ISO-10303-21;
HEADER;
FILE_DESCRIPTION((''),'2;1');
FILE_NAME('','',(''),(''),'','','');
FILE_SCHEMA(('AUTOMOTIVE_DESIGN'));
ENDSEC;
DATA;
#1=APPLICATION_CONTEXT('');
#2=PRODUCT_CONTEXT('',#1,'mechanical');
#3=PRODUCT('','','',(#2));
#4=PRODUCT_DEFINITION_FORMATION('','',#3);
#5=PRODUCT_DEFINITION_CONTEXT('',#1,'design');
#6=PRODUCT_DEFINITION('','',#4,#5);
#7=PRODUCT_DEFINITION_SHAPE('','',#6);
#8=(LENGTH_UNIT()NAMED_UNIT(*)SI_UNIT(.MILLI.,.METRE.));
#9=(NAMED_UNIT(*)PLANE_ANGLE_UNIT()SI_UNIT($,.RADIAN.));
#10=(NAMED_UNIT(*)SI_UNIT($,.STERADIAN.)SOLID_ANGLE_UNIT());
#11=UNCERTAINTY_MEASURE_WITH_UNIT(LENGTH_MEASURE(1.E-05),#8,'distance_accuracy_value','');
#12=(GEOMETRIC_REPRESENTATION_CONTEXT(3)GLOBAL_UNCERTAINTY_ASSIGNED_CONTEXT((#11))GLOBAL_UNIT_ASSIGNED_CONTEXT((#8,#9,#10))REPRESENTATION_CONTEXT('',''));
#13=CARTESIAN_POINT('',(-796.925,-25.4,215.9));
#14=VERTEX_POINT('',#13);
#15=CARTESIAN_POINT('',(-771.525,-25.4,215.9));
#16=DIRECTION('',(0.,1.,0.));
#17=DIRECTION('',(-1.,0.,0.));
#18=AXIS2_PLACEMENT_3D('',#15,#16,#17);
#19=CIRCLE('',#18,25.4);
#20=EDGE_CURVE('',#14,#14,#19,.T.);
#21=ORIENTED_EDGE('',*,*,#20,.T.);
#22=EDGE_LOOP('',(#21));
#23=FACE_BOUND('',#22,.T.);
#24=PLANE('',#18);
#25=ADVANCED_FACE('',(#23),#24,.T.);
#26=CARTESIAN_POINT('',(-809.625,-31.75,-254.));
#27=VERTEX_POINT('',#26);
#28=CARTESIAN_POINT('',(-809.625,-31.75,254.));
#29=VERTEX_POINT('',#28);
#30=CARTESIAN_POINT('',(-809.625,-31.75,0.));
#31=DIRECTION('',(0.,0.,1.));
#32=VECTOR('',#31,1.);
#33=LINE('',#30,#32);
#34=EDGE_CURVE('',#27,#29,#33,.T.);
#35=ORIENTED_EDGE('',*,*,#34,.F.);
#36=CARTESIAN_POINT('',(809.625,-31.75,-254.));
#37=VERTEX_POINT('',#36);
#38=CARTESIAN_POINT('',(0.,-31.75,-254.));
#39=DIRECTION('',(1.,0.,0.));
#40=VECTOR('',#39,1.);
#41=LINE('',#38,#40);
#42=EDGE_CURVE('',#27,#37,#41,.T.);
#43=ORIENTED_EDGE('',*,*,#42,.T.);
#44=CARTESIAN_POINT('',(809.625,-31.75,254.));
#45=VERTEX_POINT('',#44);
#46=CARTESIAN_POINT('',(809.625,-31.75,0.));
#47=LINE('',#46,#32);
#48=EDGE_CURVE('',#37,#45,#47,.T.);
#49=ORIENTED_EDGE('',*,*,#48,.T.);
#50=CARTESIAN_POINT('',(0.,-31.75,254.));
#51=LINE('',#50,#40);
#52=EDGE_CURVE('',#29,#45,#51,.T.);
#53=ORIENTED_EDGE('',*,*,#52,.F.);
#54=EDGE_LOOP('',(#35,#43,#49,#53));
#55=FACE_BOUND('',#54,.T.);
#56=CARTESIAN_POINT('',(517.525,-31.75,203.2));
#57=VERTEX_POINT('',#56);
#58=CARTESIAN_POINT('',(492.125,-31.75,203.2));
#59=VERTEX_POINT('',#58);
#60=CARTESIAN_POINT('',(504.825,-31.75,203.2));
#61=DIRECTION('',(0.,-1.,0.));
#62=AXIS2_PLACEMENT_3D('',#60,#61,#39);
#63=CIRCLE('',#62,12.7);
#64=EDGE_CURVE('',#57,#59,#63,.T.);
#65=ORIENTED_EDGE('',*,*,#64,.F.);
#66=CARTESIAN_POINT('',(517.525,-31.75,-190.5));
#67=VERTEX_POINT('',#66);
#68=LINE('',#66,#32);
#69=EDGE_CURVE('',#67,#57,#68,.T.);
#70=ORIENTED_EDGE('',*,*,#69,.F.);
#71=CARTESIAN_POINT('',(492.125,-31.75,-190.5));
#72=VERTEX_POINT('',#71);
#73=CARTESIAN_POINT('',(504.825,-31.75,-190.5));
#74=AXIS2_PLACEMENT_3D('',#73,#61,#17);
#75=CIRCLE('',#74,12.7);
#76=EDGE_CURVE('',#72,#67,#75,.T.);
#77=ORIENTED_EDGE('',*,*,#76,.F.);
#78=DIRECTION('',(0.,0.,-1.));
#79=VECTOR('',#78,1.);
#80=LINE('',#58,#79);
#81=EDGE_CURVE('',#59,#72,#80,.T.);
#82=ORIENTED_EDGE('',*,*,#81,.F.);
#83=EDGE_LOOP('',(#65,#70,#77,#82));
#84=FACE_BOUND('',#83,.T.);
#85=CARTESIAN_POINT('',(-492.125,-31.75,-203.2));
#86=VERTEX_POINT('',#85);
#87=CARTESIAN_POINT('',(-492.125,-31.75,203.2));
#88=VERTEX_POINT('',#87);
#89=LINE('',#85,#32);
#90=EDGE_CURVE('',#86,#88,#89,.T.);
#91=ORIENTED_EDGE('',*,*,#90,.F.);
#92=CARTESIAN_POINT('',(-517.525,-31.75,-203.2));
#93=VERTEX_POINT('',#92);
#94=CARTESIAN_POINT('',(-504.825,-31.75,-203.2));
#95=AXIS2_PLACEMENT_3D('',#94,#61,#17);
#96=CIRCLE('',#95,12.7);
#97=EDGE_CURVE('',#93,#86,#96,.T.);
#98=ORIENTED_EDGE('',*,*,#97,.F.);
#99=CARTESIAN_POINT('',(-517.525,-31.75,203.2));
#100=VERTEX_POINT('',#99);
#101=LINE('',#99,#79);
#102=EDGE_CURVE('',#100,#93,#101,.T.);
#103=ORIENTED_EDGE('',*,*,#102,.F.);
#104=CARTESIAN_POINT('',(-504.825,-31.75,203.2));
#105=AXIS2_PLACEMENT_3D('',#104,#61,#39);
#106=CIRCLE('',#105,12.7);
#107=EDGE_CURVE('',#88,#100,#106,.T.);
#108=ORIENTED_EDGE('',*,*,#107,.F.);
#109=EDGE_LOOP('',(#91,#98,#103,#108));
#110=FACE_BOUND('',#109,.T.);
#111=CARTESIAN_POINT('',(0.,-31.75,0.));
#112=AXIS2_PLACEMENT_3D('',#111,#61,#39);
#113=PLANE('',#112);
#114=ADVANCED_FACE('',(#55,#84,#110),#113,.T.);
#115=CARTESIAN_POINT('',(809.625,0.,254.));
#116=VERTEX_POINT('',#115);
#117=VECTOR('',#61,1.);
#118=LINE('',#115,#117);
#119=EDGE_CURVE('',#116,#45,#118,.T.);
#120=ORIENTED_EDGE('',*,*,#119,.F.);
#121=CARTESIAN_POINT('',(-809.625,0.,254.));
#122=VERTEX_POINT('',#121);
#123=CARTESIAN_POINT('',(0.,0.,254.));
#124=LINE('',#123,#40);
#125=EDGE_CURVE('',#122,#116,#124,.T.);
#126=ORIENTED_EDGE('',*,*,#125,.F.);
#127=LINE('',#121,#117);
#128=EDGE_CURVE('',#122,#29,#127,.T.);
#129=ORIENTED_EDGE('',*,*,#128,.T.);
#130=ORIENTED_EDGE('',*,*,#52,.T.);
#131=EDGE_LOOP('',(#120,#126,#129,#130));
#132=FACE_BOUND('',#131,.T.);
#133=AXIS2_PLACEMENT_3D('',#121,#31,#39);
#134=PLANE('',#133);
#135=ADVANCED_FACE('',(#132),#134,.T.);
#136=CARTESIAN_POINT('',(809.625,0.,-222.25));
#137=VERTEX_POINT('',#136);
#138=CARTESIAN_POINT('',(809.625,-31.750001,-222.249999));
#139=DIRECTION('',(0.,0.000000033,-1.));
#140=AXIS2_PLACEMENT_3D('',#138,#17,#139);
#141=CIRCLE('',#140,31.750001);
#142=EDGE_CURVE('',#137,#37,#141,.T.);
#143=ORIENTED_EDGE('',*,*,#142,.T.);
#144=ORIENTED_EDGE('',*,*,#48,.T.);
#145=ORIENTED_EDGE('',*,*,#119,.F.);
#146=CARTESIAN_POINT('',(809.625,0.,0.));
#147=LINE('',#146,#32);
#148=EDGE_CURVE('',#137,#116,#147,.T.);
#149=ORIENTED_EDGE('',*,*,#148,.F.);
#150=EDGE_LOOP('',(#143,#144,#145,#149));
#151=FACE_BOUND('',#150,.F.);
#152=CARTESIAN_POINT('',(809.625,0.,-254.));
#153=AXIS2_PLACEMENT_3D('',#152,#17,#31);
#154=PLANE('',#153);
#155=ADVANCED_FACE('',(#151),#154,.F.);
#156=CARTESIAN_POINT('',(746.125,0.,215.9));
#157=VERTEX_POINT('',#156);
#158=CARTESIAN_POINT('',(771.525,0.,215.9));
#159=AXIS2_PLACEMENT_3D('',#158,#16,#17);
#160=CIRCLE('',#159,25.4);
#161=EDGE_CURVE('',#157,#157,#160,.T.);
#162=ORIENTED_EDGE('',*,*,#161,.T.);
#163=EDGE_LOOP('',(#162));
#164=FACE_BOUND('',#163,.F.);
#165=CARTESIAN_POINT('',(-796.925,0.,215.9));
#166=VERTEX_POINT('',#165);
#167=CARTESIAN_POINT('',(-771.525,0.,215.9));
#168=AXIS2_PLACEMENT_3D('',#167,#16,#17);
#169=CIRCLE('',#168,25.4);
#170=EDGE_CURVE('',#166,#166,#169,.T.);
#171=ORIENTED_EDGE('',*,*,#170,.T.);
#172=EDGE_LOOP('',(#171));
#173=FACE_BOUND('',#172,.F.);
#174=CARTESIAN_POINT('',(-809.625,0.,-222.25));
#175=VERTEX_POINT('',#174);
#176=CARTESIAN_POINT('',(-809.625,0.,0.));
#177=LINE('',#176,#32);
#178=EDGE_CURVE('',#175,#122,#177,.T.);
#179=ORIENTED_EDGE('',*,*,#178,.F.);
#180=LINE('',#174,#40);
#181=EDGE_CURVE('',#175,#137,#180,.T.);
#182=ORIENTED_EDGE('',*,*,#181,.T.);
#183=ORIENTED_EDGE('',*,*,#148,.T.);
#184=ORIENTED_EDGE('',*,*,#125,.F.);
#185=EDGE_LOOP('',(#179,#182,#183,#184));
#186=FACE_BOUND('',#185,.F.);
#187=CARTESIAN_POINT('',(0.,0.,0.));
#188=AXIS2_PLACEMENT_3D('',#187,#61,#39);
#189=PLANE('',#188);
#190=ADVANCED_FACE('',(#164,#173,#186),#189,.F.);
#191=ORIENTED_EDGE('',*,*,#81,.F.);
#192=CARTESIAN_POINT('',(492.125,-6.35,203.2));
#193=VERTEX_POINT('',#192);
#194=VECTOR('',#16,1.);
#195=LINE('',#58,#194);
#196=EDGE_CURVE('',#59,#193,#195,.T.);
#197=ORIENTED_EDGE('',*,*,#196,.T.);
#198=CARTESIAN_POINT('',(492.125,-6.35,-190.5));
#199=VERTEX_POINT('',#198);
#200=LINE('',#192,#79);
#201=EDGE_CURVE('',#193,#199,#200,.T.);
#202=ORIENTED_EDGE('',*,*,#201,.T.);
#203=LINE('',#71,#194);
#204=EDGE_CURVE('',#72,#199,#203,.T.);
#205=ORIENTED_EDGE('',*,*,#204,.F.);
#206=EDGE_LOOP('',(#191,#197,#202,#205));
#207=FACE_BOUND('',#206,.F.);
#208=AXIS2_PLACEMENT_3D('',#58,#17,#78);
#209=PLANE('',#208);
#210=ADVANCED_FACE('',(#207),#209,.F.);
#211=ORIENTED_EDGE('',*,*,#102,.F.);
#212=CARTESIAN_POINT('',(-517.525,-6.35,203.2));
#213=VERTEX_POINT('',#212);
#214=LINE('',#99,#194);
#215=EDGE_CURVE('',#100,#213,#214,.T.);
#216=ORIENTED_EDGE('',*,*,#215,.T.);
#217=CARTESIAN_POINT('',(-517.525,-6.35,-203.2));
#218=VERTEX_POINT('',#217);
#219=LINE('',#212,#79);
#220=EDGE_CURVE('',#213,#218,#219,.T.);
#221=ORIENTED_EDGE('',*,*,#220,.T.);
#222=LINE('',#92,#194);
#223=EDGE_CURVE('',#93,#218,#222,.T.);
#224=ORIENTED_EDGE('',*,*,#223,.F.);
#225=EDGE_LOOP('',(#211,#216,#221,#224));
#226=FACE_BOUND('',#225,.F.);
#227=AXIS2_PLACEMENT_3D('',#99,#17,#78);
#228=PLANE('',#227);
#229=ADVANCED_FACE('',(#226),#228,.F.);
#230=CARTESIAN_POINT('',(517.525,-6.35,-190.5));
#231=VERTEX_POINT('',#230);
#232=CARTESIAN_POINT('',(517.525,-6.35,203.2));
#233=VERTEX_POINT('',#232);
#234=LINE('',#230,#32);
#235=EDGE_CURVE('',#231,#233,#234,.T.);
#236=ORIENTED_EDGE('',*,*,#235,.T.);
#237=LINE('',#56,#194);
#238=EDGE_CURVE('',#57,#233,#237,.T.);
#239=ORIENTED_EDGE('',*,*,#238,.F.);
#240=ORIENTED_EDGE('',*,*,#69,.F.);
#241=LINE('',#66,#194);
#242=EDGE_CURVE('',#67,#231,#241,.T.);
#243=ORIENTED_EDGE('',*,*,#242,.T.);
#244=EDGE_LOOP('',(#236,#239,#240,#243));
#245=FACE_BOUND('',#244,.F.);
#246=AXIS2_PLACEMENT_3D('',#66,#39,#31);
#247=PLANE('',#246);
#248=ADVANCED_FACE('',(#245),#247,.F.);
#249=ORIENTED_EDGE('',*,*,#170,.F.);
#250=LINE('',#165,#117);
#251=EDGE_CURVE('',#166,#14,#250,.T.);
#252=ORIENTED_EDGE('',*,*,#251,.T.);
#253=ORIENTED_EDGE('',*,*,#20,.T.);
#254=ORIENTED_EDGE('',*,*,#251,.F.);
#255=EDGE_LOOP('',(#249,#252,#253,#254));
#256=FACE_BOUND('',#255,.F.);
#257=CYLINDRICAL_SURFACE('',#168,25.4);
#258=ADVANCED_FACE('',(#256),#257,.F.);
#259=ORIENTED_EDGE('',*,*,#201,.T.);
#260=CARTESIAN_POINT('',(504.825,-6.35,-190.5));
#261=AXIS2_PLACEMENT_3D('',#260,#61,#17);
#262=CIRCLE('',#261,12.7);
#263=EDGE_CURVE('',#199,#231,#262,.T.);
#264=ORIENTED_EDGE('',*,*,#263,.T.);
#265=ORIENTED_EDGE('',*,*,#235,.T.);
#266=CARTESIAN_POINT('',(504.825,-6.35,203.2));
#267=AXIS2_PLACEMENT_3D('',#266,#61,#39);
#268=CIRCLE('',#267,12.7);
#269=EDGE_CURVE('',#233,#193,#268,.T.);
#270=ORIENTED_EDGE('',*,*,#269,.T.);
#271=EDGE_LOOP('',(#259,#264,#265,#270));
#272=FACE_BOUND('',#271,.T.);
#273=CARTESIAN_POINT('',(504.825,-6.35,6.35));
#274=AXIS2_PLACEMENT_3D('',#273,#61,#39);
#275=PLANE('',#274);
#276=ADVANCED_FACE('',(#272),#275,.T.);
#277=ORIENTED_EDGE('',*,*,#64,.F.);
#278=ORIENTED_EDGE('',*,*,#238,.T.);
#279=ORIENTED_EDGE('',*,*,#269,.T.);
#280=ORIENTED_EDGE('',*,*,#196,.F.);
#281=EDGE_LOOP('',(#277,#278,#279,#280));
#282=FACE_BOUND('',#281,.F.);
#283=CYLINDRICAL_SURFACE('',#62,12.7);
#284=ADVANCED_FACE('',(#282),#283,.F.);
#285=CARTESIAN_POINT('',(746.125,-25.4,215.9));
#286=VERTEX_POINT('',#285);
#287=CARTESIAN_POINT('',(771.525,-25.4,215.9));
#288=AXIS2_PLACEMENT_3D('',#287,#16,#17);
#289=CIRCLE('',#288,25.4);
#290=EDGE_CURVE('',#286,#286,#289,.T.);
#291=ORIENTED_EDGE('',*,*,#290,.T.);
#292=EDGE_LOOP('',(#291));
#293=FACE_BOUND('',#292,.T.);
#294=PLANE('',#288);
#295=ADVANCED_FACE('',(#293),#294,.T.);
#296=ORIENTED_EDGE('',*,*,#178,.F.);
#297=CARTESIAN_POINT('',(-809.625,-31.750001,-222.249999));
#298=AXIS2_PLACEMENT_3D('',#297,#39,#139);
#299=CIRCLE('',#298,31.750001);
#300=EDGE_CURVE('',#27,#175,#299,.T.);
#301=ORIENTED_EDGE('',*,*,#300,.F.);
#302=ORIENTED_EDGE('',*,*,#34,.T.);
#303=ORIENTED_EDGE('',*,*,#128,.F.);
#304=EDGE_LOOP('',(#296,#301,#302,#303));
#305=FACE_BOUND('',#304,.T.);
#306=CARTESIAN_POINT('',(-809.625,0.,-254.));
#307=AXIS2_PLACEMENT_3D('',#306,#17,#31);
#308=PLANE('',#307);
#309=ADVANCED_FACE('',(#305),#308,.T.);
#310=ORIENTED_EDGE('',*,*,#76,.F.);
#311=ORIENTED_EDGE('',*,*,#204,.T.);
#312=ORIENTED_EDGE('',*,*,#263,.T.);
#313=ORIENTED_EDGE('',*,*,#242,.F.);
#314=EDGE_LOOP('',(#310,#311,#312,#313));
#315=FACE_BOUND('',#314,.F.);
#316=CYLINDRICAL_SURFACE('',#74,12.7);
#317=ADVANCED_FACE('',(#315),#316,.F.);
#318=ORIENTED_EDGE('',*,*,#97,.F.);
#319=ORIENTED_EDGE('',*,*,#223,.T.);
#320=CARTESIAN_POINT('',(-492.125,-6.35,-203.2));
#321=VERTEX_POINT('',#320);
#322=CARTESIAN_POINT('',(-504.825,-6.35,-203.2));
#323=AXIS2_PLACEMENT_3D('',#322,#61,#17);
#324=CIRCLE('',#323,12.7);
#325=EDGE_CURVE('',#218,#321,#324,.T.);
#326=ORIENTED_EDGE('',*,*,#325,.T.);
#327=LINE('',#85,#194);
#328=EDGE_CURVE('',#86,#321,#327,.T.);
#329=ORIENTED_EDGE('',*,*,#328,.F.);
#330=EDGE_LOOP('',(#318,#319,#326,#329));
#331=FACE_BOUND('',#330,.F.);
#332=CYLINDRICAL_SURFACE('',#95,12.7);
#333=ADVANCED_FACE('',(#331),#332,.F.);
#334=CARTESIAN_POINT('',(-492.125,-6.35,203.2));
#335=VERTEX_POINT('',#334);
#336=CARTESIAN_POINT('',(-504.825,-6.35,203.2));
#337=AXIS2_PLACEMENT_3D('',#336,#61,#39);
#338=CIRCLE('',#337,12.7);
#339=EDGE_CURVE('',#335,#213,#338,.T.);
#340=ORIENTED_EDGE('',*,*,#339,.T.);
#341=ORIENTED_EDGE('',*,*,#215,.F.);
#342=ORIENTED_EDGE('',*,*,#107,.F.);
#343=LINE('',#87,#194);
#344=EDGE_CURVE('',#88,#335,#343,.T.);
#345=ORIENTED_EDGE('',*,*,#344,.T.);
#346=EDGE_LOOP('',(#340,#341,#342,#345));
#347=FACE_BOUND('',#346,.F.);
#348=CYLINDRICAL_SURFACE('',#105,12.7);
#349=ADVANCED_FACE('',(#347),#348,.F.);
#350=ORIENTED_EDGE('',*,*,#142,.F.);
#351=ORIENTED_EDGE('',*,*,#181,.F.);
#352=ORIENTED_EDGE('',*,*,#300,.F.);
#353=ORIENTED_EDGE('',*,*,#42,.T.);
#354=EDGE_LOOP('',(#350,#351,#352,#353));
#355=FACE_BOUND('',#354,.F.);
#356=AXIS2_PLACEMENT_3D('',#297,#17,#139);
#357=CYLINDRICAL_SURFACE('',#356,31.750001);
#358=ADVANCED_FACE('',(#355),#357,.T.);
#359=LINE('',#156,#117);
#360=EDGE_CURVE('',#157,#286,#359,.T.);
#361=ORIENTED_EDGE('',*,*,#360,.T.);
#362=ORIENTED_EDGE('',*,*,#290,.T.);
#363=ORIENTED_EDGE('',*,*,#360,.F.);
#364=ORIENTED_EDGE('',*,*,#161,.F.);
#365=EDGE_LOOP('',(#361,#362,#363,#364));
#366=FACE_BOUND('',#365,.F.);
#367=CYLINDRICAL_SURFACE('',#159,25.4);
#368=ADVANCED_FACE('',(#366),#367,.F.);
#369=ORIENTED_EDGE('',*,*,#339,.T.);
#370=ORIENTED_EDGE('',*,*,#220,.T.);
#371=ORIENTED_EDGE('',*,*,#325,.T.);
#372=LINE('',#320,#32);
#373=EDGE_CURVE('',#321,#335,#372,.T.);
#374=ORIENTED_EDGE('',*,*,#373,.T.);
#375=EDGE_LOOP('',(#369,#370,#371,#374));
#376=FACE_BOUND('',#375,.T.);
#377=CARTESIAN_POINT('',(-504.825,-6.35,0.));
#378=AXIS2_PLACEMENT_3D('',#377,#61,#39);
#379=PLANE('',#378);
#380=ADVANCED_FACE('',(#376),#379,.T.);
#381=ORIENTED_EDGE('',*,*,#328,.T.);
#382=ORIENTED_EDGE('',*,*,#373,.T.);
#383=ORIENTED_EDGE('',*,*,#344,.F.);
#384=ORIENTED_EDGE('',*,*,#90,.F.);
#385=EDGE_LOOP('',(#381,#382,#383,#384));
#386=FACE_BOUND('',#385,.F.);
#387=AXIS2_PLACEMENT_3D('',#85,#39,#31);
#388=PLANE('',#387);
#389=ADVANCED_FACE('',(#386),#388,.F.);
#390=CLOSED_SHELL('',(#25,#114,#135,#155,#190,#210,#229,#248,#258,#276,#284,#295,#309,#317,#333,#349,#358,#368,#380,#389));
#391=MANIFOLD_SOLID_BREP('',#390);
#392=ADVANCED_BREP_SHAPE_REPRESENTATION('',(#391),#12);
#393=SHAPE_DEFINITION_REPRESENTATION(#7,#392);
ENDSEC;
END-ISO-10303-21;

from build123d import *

# Parameters (mm, degrees)
F0_W     = 1619.25
F0_H     = 508
F1_DEPTH = 31.75
F3_DEPTH = 1619.251
F5_DEPTH = 25.4
F6_R     = 25.4
F7_DEPTH = 25.4


with BuildPart() as f1:
    # F0 (on Front) → F1 (new body)
    with BuildSketch(Plane.XZ):
        Rectangle(F0_W, F0_H)
    extrude(amount=F1_DEPTH)

    # F2 (on face) → F3 (cut, through all)
    with BuildSketch(Plane(origin=(-809.625, 0, 0), x_dir=(0, -1, 0), z_dir=(-1, 0, 0))):
        with BuildLine():
            Line((0, -222.25), (0, -254))
            Line((0, -254), (31.75, -254))
            ThreePointArc((31.75, -254), (9.29936, -244.70064), (0, -222.25))
        make_face()
    extrude(amount=-F3_DEPTH, mode=Mode.SUBTRACT)

    # F4 (on face) → F5 (cut)
    with BuildSketch(Plane.XZ.offset(31.75)):
        with BuildLine():
            Line((-492.125, -203.2), (-492.125, 203.2))
            ThreePointArc((-492.125, 203.2), (-504.825, 215.9), (-517.525, 203.2))
            Line((-517.525, 203.2), (-517.525, -203.2))
            ThreePointArc((-517.525, -203.2), (-504.825, -215.9), (-492.125, -203.2))
        make_face()
        with BuildLine():
            Line((517.525, -190.5), (517.525, 203.2))
            ThreePointArc((517.525, 203.2), (504.825, 215.9), (492.125, 203.2))
            Line((492.125, 203.2), (492.125, -190.5))
            ThreePointArc((492.125, -190.5), (504.825, -203.2), (517.525, -190.5))
        make_face()
    extrude(amount=-F5_DEPTH, mode=Mode.SUBTRACT)

    # F6 (on face) → F7 (cut)
    with BuildSketch(Plane(origin=(0, 0, 0), x_dir=(-1, 0, 0), z_dir=(0, 1, 0))):
        with Locations((-771.525, 215.9)):
            Circle(F6_R)
        with Locations((771.525, 215.9)):
            Circle(F6_R)
    extrude(amount=-F7_DEPTH, mode=Mode.SUBTRACT)


solid = f1.part
